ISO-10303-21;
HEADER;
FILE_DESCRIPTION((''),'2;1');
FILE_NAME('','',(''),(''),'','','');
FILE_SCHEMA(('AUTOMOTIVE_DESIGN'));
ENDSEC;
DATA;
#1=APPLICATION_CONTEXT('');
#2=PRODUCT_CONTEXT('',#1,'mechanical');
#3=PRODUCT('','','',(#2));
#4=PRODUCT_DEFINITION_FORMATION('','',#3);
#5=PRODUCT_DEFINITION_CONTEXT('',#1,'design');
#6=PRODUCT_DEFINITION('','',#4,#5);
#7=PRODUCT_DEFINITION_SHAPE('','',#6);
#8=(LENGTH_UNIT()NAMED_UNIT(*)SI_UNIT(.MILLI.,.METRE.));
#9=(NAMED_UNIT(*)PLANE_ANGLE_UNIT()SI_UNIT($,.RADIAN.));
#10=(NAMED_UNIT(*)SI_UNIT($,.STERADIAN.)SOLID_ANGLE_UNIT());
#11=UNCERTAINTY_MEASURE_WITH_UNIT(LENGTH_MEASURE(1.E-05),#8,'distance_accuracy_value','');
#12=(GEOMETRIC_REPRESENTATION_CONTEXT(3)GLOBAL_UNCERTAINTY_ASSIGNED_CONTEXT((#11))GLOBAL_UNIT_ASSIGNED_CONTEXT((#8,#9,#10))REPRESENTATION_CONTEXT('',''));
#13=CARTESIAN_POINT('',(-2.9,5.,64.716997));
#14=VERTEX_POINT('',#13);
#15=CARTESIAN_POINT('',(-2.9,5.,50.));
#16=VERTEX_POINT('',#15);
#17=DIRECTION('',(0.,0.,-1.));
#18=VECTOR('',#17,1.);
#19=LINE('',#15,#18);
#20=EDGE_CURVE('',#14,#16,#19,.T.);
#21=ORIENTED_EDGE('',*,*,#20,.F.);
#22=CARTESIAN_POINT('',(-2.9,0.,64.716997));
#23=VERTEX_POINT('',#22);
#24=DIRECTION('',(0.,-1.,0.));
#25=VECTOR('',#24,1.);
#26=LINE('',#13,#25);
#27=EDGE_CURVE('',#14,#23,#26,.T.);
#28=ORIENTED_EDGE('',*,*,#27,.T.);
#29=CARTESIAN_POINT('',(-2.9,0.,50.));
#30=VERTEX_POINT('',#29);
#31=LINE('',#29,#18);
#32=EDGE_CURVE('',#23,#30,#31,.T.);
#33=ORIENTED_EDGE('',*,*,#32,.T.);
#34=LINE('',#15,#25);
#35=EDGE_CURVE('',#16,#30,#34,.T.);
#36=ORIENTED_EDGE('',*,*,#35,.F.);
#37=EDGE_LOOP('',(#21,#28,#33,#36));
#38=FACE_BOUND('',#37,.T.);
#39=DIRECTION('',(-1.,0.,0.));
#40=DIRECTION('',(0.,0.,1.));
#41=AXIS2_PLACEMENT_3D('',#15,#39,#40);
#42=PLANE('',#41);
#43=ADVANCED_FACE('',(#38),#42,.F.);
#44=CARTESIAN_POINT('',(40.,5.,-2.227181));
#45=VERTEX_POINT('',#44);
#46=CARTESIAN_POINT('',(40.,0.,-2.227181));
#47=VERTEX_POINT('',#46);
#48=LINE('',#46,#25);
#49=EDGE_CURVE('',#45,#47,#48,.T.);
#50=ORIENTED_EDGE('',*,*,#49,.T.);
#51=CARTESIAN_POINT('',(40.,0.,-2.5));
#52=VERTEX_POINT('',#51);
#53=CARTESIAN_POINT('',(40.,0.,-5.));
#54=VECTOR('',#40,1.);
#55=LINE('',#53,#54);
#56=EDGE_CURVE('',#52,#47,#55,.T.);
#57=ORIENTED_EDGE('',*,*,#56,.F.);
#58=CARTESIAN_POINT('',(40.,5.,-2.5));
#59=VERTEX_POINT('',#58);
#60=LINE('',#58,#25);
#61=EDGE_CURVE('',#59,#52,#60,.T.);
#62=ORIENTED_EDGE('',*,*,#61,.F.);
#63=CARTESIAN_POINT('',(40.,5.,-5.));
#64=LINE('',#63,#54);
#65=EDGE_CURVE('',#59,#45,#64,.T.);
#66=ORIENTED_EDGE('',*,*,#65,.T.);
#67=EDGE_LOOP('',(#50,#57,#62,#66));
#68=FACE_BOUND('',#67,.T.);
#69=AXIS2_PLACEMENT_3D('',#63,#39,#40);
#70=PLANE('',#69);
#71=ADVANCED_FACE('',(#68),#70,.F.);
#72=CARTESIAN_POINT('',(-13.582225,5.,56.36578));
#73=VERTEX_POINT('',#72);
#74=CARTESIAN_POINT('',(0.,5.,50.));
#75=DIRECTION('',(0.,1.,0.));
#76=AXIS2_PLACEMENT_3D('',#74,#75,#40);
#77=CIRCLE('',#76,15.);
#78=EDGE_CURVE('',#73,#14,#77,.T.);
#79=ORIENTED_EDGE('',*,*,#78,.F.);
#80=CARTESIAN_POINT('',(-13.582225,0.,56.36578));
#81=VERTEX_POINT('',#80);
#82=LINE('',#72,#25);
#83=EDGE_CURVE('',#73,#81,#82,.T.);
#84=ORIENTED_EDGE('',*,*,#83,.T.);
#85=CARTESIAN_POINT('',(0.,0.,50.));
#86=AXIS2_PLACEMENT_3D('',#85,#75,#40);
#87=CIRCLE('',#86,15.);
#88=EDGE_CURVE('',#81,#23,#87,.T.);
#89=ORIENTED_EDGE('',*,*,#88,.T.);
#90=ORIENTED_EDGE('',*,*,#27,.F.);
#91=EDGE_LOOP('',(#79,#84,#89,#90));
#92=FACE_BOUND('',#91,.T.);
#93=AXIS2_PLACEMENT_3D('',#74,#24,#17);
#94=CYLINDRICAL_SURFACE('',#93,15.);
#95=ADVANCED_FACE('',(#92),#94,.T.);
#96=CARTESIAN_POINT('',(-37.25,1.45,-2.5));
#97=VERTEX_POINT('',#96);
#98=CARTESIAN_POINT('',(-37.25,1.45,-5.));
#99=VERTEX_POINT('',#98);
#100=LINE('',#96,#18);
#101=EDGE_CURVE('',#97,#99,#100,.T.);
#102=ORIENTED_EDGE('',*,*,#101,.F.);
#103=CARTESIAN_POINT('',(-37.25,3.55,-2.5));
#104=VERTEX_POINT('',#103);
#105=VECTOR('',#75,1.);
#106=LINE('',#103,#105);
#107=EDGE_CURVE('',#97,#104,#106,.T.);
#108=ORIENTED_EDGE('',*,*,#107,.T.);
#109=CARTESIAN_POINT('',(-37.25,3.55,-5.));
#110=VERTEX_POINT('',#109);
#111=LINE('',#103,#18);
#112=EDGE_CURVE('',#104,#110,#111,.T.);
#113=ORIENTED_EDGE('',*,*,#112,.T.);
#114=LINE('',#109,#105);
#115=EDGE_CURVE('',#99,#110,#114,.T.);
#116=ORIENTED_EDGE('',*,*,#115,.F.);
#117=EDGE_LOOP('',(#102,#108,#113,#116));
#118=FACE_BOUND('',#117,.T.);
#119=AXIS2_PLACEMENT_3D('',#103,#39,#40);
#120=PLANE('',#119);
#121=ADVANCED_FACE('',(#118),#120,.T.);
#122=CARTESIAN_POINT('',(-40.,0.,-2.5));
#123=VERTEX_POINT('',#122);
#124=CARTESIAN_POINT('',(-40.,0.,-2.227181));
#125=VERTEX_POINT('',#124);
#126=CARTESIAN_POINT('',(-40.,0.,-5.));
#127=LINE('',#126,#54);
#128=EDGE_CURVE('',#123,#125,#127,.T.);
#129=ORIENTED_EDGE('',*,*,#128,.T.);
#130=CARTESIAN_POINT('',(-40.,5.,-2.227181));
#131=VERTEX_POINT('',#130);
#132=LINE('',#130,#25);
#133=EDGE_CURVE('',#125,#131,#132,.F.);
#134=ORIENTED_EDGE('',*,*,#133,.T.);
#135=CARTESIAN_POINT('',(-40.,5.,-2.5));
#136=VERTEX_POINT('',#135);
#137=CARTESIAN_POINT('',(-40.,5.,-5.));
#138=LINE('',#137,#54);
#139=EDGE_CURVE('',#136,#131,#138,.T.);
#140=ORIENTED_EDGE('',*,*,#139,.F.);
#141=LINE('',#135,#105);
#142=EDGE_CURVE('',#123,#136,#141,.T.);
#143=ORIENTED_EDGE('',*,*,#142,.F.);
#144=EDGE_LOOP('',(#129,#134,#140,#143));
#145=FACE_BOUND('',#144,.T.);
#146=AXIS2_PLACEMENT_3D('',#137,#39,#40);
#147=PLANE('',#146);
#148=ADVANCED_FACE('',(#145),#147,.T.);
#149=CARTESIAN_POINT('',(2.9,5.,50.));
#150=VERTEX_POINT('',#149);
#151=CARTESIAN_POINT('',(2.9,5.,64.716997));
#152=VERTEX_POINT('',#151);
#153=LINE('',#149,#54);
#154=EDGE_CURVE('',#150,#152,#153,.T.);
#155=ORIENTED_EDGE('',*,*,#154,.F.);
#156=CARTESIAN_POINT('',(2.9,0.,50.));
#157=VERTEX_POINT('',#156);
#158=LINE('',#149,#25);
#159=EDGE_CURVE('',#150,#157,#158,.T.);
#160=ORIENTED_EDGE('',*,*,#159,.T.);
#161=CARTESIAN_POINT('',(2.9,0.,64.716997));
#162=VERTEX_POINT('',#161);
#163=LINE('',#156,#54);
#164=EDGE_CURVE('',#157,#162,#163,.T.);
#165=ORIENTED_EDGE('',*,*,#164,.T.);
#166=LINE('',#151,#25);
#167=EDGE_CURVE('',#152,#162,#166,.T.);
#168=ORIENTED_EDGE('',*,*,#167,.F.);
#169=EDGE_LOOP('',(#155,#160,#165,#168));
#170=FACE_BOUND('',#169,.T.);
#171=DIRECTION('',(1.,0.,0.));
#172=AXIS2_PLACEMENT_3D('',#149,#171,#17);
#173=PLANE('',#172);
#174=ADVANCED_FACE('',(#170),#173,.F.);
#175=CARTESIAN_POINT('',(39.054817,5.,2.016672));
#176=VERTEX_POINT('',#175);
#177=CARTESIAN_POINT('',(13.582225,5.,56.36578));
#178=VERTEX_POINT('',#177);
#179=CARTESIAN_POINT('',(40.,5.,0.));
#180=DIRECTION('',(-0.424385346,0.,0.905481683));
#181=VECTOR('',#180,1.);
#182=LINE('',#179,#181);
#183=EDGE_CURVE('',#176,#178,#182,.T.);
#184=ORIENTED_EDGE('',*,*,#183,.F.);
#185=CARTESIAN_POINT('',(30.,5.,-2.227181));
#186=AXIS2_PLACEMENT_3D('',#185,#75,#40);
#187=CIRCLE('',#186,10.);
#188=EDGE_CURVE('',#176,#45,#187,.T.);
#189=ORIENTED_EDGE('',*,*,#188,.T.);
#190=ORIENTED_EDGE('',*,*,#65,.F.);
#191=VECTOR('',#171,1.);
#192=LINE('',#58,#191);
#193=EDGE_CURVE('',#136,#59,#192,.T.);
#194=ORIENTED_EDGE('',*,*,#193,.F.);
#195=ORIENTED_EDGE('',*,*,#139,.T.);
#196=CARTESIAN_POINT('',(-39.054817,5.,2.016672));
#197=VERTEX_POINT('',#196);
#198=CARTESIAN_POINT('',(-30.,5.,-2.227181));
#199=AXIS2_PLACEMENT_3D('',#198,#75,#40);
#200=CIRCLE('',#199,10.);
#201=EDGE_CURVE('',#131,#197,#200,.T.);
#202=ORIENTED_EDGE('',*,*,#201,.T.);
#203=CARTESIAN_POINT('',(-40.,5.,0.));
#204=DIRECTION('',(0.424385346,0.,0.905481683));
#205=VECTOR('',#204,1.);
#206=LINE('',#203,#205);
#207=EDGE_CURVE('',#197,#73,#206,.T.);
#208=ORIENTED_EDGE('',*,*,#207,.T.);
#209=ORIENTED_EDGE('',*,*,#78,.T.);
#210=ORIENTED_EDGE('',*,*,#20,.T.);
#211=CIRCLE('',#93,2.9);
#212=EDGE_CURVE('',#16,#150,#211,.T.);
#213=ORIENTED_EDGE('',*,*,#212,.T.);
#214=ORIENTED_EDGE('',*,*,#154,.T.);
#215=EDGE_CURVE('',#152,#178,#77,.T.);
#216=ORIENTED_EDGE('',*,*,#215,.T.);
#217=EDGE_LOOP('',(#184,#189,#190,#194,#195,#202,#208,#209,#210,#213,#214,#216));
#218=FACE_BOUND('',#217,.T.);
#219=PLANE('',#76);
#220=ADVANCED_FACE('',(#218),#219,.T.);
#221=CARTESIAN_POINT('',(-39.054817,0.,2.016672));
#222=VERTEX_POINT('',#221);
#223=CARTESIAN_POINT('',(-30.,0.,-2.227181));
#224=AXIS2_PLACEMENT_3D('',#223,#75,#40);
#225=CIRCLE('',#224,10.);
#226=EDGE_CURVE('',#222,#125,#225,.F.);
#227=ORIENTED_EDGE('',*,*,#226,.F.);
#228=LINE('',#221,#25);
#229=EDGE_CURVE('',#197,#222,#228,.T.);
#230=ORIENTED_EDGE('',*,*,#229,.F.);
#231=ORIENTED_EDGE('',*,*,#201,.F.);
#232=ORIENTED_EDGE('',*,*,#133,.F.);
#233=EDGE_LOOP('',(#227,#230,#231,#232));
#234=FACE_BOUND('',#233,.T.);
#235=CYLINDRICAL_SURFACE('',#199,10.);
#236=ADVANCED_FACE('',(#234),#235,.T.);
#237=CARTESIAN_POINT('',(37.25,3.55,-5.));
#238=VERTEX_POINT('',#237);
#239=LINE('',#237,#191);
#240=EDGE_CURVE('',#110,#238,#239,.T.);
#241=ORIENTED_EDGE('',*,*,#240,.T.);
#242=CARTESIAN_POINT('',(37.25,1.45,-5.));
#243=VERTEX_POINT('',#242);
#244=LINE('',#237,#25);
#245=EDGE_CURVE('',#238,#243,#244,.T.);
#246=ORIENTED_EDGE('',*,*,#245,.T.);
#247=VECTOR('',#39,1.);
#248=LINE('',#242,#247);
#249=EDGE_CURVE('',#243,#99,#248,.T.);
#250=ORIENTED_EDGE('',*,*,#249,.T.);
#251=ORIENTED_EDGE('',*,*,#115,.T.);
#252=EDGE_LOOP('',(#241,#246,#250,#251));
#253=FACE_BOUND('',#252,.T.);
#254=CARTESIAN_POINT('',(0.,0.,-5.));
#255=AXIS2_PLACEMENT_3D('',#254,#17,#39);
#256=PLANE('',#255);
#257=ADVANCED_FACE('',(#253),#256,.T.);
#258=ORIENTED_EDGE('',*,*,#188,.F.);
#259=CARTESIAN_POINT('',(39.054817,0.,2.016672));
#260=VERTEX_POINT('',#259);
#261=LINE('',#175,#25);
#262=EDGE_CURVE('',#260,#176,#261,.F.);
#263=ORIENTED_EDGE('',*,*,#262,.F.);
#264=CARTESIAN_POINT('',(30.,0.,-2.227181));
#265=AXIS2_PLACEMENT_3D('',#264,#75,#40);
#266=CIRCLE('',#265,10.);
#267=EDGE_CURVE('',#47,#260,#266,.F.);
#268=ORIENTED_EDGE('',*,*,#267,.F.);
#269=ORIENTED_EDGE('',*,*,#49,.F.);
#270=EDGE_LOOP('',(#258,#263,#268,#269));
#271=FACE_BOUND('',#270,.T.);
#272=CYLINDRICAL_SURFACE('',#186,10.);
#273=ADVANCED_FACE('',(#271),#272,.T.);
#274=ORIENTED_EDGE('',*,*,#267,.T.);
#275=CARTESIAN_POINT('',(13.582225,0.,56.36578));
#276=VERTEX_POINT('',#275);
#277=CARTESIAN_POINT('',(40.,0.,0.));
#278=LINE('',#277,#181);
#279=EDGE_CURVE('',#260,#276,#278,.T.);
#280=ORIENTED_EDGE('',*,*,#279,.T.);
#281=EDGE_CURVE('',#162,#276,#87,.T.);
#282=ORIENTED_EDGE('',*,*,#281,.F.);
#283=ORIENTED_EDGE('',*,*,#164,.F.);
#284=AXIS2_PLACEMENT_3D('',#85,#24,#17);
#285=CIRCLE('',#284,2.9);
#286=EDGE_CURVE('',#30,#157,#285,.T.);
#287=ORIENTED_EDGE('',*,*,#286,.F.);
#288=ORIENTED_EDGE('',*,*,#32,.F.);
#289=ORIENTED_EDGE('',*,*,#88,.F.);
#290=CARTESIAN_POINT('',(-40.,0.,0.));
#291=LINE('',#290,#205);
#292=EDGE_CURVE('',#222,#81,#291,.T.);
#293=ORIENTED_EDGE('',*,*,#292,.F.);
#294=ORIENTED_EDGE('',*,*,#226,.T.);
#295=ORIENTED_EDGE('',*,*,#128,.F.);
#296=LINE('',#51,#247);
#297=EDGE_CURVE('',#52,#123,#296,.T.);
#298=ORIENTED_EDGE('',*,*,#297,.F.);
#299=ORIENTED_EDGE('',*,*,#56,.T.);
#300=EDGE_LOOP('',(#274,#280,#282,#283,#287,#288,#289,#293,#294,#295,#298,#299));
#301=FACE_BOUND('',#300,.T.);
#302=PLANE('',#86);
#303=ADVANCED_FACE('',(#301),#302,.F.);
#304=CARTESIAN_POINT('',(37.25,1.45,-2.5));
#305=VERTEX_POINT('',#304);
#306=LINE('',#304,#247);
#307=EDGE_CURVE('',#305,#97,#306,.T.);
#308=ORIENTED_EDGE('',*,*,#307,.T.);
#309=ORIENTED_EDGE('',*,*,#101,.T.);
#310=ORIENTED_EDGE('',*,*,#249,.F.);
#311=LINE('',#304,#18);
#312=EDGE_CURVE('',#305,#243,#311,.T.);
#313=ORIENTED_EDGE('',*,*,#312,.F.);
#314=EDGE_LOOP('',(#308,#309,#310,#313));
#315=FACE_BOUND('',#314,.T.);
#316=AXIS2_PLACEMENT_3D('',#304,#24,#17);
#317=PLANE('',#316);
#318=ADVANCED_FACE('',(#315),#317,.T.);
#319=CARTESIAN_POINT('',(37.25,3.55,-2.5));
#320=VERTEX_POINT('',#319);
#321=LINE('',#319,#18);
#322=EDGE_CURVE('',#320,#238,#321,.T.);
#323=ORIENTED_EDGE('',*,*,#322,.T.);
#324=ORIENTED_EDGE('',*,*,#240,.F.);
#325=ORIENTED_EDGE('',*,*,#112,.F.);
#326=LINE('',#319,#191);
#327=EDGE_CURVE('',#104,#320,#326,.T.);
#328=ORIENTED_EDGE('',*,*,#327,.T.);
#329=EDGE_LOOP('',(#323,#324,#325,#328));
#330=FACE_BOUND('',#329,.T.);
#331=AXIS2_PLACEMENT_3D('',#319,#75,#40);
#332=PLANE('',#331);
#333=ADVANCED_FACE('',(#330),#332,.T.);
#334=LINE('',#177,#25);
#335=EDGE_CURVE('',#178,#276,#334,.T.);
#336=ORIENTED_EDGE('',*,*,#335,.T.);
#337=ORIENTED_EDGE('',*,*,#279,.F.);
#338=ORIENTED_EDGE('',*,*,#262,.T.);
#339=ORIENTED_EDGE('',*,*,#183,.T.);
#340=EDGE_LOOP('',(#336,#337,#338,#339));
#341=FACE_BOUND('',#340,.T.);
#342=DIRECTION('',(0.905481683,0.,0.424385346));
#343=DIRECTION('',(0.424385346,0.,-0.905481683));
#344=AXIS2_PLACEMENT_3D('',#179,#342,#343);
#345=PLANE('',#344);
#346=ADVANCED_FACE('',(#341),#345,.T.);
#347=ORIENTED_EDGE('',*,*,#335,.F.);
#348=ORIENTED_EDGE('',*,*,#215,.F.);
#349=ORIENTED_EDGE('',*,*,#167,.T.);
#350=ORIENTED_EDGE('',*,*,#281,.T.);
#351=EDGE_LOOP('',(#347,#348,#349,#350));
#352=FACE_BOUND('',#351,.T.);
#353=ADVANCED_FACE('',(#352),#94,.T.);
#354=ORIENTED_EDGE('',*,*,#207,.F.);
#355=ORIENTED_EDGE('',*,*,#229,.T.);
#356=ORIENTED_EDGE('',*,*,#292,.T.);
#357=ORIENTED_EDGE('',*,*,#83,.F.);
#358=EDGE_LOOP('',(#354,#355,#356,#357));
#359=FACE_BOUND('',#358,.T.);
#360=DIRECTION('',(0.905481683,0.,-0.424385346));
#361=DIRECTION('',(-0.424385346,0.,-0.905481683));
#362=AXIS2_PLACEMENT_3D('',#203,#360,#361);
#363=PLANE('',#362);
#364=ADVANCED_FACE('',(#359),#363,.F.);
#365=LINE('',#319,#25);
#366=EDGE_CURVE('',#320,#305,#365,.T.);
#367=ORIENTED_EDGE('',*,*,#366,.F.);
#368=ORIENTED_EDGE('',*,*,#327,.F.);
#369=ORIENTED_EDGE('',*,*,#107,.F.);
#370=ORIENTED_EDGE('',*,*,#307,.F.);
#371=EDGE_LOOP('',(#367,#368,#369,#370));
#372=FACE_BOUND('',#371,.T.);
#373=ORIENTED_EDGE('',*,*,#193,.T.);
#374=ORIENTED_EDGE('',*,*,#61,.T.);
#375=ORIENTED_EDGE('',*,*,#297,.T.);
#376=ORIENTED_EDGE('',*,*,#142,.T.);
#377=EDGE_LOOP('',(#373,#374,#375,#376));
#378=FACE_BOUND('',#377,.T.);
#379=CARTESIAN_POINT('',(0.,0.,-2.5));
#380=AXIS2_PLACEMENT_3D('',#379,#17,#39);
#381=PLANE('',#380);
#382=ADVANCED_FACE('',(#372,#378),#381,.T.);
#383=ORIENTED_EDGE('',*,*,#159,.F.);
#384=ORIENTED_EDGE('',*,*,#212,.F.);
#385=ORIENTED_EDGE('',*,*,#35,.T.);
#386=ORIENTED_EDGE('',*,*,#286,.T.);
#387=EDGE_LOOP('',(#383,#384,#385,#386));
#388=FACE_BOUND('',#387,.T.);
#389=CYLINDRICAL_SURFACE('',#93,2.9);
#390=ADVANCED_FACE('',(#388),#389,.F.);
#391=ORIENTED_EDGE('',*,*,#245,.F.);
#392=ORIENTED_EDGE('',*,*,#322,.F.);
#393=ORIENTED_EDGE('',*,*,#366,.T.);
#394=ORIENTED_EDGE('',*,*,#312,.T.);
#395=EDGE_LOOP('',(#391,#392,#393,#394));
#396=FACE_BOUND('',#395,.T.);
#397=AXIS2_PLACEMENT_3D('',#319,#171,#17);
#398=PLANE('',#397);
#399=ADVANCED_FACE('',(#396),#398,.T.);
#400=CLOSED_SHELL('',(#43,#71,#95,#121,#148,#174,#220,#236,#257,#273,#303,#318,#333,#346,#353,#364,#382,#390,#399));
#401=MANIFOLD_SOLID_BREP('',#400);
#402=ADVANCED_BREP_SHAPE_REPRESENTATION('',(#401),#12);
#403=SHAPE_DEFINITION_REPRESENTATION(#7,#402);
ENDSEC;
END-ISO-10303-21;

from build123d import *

# Parameters (mm, degrees)
BOSS_EXTRUDE1_DEPTH = 5
SKETCH3_W           = 80
SKETCH3_H           = 5
BOSS_EXTRUDE2_DEPTH = 5
SKETCH6_W           = 80
SKETCH6_H           = 5
SKETCH6_W_2         = 74.5
SKETCH6_H_2         = 2.1
CUT_EXTRUDE2_DEPTH  = 2.5
FILLET1_R           = 10
CUT_EXTRUDE3_DEPTH  = 5


with BuildPart() as part:
    # Sketch2 → Boss-Extrude1 (new body)
    with BuildSketch(Plane(origin=(0, 0, 0), x_dir=(1, 0, 0), z_dir=(0, 1, 0))):
        with BuildLine():
            Line((-40, 0), (40, 0))
            Line((40, 0), (13.582225242, -56.365780194))
            ThreePointArc((13.582225242, -56.365780194), (0, -65), (-13.582225242, -56.365780194))
            Line((-13.582225242, -56.365780194), (-40, 0))
        make_face()
    extrude(amount=BOSS_EXTRUDE1_DEPTH)

    # Sketch3 → Boss-Extrude2 (add)
    with BuildSketch(Plane(origin=(0, 0, 0), x_dir=(-1, 0, 0), z_dir=(0, 0, -1))):
        with Locations((0, 2.5)):
            Rectangle(SKETCH3_W, SKETCH3_H)
    extrude(amount=BOSS_EXTRUDE2_DEPTH)

    # Sketch6 → Cut-Extrude2 (cut)
    with BuildSketch(Plane(origin=(0, 0, -5), x_dir=(-1, 0, 0), z_dir=(0, 0, -1))):
        with Locations((0, 2.5)):
            Rectangle(SKETCH6_W, SKETCH6_H)
        with Locations((0, 2.5)):
            Rectangle(SKETCH6_W_2, SKETCH6_H_2, mode=Mode.SUBTRACT)
    extrude(amount=-CUT_EXTRUDE2_DEPTH, mode=Mode.SUBTRACT)

    # Fillet1
    fillet1_edges = [part.edges().sort_by_distance(p)[0] for p in [
        (-40, 2.5, 0),
        (40, 2.5, 0),
    ]]
    fillet(fillet1_edges, radius=FILLET1_R)

    # Sketch7 → Cut-Extrude3 (cut)
    with BuildSketch(Plane(origin=(0, 0, 0), x_dir=(-1, 0, 0), z_dir=(0, -1, 0))):
        with BuildLine():
            Line((2.9, -50), (2.9, -64.716996976))
            ThreePointArc((2.9, -64.716996976), (0, -65), (-2.9, -64.716996976))
            Line((-2.9, -64.716996976), (-2.9, -50))
            ThreePointArc((-2.9, -50), (0, -47.1), (2.9, -50))
        make_face()
    extrude(amount=-CUT_EXTRUDE3_DEPTH, mode=Mode.SUBTRACT)


solid = part.part
